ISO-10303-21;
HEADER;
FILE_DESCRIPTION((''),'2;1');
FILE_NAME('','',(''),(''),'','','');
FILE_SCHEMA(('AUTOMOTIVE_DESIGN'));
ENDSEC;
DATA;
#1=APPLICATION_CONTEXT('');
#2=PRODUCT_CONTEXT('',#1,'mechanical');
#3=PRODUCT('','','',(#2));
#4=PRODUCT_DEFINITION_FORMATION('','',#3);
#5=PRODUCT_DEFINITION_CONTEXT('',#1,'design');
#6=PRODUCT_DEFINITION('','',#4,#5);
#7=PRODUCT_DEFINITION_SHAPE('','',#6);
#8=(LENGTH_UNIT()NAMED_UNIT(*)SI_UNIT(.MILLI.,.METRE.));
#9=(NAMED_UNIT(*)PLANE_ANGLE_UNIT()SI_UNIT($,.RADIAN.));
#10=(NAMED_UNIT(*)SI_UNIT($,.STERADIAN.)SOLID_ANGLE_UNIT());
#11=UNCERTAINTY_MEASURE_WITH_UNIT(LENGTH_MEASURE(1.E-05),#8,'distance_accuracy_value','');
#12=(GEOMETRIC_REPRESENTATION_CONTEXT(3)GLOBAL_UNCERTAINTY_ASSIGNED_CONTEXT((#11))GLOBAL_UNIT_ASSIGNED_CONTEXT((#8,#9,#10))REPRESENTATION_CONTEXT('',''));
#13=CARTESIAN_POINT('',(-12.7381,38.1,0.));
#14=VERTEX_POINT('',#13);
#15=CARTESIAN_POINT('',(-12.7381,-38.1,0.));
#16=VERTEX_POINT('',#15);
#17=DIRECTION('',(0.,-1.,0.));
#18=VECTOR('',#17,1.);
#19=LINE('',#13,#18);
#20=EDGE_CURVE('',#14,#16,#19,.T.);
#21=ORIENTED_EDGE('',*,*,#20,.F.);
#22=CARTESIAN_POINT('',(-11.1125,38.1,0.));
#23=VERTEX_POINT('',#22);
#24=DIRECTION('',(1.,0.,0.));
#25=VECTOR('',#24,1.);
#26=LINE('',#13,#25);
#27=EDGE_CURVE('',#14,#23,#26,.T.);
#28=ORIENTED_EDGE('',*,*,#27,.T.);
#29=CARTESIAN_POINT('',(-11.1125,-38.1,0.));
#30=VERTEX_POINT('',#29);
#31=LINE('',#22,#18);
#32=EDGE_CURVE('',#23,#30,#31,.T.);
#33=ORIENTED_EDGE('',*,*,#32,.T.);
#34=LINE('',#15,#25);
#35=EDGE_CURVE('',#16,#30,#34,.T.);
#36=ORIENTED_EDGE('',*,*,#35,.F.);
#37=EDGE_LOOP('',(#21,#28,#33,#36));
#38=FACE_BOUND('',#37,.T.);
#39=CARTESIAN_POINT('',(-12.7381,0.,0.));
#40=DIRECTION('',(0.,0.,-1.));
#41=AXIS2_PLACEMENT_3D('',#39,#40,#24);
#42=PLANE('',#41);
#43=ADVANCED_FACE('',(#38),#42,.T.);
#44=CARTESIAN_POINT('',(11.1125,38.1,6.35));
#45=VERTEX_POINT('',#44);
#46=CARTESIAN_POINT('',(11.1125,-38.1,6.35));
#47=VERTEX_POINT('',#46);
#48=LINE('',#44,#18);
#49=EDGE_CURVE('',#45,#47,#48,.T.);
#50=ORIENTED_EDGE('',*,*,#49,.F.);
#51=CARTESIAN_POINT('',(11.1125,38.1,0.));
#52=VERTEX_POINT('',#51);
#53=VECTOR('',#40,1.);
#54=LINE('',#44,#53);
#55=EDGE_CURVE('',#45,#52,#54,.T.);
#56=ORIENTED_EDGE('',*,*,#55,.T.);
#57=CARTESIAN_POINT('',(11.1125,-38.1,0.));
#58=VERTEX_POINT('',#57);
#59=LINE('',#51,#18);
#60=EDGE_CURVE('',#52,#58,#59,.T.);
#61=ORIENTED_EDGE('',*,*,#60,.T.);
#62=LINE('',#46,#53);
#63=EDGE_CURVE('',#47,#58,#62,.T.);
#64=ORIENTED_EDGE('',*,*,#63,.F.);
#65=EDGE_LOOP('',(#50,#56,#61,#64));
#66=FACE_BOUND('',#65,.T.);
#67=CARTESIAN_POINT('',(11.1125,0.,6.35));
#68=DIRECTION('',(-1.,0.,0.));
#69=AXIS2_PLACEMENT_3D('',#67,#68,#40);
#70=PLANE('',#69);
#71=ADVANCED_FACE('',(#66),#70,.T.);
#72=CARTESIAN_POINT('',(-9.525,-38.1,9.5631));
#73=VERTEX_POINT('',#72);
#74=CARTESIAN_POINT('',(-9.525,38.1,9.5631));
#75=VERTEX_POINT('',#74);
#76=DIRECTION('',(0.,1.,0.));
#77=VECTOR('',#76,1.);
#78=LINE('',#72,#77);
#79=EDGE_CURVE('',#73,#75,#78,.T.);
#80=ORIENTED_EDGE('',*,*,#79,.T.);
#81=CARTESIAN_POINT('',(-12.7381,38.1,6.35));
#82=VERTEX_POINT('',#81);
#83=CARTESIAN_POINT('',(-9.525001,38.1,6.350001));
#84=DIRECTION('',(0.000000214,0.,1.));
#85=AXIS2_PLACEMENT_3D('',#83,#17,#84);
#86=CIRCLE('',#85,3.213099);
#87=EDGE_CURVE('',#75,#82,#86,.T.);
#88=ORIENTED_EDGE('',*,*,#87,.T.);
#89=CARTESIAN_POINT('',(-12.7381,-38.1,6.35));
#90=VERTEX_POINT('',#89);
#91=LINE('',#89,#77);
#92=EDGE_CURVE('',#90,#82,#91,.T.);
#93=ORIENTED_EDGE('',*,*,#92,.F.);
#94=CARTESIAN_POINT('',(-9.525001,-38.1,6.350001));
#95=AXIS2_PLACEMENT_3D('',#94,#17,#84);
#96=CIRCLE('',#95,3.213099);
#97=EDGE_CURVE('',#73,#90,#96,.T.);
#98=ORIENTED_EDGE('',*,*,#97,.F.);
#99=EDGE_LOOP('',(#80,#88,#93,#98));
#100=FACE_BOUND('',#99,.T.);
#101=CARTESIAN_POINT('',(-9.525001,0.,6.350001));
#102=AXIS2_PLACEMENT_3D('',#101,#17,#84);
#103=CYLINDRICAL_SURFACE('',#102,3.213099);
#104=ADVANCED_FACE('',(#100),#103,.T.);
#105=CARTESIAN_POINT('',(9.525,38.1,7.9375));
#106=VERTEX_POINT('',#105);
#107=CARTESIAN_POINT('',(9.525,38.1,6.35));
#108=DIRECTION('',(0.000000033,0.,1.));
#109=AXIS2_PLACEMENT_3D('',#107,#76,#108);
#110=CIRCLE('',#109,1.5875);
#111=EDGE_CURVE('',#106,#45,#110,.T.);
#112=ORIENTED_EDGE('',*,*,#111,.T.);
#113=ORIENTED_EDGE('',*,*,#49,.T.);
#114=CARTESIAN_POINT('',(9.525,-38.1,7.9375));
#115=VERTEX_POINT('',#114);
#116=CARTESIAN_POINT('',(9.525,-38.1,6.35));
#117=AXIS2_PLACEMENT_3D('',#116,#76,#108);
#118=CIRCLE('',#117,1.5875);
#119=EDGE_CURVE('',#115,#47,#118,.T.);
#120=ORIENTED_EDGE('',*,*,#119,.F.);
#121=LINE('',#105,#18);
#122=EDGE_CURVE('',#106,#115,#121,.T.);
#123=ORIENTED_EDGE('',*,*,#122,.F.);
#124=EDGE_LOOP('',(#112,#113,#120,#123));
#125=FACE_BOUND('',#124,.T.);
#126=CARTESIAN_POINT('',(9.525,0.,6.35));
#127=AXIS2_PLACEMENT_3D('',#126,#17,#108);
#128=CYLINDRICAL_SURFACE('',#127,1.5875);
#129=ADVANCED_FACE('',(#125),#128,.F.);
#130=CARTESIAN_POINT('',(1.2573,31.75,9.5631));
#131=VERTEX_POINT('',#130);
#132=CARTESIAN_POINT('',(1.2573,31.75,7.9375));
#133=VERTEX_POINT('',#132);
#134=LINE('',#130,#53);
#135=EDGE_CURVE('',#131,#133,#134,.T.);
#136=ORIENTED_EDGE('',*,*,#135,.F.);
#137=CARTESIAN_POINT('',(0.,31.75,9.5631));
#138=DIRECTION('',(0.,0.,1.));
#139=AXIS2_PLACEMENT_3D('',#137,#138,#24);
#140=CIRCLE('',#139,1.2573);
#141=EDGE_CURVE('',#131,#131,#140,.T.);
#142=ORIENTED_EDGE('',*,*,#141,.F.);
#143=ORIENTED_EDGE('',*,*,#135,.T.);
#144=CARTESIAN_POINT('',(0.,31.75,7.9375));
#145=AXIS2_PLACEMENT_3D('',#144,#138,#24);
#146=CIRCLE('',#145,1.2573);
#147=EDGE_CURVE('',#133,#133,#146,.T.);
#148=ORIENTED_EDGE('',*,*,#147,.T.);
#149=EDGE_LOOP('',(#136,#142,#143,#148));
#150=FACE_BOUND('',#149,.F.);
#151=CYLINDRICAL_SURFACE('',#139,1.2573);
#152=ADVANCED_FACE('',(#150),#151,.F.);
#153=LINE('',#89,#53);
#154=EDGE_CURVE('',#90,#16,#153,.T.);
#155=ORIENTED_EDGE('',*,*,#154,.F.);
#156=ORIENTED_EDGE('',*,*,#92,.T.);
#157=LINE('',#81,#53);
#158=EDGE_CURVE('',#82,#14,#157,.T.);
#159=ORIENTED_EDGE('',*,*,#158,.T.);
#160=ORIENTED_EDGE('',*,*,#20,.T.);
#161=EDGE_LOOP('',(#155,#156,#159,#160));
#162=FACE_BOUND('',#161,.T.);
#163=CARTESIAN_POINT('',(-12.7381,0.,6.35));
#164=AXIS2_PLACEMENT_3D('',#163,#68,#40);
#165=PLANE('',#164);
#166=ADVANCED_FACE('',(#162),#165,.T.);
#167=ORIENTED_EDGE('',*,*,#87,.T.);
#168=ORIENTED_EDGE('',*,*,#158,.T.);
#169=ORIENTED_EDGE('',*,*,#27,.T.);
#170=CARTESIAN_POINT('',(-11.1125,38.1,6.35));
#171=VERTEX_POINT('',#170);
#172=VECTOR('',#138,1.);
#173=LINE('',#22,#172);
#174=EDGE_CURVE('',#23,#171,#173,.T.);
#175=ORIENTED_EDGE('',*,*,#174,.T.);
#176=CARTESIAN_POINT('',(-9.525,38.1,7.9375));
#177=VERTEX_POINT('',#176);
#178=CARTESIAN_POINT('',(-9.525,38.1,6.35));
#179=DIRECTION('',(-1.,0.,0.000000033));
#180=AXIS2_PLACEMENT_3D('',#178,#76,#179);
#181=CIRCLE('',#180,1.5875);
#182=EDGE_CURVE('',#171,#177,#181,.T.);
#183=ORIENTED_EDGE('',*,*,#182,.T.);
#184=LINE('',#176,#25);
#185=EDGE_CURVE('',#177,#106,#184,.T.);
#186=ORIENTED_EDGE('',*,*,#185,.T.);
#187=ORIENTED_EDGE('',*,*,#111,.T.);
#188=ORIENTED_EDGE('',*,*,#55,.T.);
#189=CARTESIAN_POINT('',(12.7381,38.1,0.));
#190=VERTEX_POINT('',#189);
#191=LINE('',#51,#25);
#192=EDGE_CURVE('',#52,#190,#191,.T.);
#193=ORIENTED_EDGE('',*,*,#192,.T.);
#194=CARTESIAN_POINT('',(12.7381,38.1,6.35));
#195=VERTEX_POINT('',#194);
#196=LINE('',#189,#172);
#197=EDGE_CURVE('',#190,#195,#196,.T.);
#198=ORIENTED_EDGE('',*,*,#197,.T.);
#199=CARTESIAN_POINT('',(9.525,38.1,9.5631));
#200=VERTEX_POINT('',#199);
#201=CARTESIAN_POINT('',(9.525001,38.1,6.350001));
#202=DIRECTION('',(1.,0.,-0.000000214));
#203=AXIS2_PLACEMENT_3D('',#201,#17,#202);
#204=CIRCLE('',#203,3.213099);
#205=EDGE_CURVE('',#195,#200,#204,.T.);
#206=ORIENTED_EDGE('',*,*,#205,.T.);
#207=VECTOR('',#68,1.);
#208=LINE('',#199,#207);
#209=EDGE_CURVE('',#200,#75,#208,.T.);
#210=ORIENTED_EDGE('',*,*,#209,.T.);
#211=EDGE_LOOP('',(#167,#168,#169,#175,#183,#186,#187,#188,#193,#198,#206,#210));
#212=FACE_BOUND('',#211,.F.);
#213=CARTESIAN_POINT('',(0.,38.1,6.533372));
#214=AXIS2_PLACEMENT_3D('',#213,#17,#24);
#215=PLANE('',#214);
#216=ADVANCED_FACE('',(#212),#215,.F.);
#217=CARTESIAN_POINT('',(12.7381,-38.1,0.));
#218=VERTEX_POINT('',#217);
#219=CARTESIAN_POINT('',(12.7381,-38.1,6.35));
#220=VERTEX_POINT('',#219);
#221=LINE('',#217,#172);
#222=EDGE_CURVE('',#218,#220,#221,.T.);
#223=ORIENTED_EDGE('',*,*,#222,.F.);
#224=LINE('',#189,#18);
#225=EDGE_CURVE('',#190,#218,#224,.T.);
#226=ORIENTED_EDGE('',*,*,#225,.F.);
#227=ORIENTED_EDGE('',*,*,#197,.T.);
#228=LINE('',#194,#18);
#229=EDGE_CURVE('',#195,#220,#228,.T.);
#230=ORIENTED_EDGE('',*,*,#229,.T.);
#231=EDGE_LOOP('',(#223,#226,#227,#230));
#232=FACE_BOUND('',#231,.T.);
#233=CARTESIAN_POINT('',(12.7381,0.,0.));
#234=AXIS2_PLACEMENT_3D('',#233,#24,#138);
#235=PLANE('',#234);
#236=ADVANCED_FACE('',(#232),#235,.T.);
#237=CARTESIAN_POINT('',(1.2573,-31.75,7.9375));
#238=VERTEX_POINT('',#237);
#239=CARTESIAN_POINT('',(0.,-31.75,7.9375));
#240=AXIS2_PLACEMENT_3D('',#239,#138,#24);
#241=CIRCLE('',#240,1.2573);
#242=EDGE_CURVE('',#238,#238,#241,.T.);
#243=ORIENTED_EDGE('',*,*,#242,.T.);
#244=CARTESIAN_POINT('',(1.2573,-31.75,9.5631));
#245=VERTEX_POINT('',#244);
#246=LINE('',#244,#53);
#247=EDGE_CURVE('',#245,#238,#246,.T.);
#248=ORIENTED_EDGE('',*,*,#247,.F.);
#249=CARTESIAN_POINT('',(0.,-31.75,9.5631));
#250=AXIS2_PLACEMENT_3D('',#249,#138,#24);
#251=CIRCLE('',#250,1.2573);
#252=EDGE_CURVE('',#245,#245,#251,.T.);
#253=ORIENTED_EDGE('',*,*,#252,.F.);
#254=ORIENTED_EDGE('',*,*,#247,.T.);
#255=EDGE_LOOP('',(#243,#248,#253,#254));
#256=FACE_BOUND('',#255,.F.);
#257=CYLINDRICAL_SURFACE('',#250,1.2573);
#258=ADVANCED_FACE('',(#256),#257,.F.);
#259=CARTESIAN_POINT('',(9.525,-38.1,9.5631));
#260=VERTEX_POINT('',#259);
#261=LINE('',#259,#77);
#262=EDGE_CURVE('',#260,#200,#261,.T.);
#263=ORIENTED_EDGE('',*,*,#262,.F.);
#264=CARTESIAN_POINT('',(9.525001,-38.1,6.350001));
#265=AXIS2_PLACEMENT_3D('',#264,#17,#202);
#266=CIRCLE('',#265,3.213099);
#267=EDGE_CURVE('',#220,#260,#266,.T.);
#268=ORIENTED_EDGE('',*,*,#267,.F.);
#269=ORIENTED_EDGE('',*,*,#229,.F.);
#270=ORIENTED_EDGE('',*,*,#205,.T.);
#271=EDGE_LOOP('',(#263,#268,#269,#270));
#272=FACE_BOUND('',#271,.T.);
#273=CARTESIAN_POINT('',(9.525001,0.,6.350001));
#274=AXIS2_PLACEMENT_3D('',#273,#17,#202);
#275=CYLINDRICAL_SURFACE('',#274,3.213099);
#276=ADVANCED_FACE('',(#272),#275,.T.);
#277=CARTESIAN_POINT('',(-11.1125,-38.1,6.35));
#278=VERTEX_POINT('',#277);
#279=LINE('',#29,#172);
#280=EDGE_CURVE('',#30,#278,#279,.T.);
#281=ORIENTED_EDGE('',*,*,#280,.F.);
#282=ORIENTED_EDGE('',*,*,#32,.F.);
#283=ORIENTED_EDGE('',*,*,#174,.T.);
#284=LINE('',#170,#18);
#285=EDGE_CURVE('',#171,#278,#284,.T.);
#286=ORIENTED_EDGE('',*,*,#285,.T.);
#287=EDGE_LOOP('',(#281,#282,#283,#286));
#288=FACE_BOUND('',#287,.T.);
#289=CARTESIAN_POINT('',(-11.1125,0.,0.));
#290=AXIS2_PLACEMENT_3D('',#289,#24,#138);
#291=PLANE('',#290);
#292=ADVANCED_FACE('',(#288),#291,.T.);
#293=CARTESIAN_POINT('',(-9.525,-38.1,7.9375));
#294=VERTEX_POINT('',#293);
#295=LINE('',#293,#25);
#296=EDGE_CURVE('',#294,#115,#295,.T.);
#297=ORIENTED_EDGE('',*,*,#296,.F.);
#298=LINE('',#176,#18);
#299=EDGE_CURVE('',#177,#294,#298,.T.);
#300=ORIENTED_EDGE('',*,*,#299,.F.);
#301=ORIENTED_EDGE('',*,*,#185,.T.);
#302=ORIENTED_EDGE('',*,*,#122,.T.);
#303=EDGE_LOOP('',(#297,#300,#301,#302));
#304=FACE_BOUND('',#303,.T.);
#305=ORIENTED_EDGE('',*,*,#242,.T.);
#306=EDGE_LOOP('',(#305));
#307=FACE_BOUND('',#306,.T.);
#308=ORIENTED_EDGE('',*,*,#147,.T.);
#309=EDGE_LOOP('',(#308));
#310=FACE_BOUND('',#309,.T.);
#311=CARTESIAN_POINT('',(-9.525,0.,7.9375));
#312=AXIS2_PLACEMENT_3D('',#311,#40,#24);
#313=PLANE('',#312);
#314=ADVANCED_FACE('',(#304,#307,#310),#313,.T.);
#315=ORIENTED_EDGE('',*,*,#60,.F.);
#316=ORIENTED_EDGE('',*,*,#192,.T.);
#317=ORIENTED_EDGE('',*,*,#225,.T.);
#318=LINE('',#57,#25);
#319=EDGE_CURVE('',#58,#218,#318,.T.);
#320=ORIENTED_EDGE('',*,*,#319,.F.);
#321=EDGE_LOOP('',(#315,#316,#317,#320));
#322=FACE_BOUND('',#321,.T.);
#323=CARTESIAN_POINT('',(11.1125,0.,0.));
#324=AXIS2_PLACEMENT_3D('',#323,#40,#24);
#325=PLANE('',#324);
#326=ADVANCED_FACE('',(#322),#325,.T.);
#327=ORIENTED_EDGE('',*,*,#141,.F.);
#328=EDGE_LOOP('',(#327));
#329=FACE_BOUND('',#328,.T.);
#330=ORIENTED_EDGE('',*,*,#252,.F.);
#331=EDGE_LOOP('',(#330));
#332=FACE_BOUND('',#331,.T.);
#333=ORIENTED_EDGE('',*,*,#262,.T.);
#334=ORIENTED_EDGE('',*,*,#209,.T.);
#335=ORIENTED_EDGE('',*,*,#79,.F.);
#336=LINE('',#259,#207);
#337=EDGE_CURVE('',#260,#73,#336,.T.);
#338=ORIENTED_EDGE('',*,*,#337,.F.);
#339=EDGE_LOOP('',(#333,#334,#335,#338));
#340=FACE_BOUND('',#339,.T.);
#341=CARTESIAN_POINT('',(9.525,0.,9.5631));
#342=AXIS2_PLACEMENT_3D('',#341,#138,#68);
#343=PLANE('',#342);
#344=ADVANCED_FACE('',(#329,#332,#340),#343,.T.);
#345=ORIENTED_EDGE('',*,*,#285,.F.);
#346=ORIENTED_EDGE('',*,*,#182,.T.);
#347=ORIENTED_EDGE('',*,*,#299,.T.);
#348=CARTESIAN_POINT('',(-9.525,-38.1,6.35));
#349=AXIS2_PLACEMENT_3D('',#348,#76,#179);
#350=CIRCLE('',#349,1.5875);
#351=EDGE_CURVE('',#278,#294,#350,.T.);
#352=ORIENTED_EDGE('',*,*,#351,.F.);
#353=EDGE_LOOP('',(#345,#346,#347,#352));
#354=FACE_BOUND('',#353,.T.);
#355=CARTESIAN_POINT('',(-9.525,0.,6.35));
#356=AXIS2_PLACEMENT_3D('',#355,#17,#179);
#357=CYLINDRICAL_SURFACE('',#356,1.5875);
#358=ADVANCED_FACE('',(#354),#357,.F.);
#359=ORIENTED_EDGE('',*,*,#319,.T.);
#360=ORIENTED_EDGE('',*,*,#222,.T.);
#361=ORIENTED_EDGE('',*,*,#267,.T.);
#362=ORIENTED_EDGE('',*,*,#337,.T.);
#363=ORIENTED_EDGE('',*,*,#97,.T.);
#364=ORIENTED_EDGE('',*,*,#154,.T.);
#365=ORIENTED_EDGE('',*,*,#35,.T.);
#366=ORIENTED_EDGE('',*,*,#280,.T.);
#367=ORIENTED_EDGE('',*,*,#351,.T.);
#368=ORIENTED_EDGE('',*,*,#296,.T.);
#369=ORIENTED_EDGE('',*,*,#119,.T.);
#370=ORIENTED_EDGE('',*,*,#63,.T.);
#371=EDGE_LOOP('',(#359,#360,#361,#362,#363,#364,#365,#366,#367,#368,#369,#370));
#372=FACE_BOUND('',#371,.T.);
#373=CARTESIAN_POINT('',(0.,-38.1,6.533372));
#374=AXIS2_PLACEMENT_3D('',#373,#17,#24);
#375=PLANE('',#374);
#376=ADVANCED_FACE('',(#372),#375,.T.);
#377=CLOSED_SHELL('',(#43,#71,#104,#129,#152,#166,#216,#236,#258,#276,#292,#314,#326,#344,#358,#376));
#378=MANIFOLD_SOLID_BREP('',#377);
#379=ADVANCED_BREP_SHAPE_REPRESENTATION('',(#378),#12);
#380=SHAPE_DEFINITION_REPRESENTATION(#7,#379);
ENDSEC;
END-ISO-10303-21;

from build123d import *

# Parameters (mm, degrees)
F1_DEPTH = 38.1
F2_R     = 1.2573
F3_DEPTH = 1.6256


with BuildPart() as f1:
    # F0 (on Front) → F1 (new body, symmetric)
    with BuildSketch(Plane.XZ):
        with BuildLine():
            Line((-12.7381, 6.35), (-12.7381, 0))
            Line((-12.7381, 0), (-11.1125, 0))
            Line((-11.1125, 0), (-11.1125, 6.35))
            ThreePointArc((-11.1125, 6.35), (-10.647532, 7.472532), (-9.525, 7.9375))
            Line((-9.525, 7.9375), (9.525, 7.9375))
            ThreePointArc((9.525, 7.9375), (10.647532, 7.472532), (11.1125, 6.35))
            Line((11.1125, 6.35), (11.1125, 0))
            Line((11.1125, 0), (12.7381, 0))
            Line((12.7381, 0), (12.7381, 6.35))
            ThreePointArc((12.7381, 6.35), (11.797005, 8.622005), (9.525, 9.5631))
            Line((9.525, 9.5631), (-9.525, 9.5631))
            ThreePointArc((-9.525, 9.5631), (-11.797005, 8.622005), (-12.7381, 6.35))
        make_face()
    extrude(amount=F1_DEPTH, both=True)

    # F2 (on face) → F3 (cut, through all)
    with BuildSketch(Plane.XY.offset(9.5631)):
        with Locations((0, 31.75)):
            Circle(F2_R)
        with Locations((0, -31.75)):
            Circle(F2_R)
    extrude(amount=-F3_DEPTH, mode=Mode.SUBTRACT)


solid = f1.part
